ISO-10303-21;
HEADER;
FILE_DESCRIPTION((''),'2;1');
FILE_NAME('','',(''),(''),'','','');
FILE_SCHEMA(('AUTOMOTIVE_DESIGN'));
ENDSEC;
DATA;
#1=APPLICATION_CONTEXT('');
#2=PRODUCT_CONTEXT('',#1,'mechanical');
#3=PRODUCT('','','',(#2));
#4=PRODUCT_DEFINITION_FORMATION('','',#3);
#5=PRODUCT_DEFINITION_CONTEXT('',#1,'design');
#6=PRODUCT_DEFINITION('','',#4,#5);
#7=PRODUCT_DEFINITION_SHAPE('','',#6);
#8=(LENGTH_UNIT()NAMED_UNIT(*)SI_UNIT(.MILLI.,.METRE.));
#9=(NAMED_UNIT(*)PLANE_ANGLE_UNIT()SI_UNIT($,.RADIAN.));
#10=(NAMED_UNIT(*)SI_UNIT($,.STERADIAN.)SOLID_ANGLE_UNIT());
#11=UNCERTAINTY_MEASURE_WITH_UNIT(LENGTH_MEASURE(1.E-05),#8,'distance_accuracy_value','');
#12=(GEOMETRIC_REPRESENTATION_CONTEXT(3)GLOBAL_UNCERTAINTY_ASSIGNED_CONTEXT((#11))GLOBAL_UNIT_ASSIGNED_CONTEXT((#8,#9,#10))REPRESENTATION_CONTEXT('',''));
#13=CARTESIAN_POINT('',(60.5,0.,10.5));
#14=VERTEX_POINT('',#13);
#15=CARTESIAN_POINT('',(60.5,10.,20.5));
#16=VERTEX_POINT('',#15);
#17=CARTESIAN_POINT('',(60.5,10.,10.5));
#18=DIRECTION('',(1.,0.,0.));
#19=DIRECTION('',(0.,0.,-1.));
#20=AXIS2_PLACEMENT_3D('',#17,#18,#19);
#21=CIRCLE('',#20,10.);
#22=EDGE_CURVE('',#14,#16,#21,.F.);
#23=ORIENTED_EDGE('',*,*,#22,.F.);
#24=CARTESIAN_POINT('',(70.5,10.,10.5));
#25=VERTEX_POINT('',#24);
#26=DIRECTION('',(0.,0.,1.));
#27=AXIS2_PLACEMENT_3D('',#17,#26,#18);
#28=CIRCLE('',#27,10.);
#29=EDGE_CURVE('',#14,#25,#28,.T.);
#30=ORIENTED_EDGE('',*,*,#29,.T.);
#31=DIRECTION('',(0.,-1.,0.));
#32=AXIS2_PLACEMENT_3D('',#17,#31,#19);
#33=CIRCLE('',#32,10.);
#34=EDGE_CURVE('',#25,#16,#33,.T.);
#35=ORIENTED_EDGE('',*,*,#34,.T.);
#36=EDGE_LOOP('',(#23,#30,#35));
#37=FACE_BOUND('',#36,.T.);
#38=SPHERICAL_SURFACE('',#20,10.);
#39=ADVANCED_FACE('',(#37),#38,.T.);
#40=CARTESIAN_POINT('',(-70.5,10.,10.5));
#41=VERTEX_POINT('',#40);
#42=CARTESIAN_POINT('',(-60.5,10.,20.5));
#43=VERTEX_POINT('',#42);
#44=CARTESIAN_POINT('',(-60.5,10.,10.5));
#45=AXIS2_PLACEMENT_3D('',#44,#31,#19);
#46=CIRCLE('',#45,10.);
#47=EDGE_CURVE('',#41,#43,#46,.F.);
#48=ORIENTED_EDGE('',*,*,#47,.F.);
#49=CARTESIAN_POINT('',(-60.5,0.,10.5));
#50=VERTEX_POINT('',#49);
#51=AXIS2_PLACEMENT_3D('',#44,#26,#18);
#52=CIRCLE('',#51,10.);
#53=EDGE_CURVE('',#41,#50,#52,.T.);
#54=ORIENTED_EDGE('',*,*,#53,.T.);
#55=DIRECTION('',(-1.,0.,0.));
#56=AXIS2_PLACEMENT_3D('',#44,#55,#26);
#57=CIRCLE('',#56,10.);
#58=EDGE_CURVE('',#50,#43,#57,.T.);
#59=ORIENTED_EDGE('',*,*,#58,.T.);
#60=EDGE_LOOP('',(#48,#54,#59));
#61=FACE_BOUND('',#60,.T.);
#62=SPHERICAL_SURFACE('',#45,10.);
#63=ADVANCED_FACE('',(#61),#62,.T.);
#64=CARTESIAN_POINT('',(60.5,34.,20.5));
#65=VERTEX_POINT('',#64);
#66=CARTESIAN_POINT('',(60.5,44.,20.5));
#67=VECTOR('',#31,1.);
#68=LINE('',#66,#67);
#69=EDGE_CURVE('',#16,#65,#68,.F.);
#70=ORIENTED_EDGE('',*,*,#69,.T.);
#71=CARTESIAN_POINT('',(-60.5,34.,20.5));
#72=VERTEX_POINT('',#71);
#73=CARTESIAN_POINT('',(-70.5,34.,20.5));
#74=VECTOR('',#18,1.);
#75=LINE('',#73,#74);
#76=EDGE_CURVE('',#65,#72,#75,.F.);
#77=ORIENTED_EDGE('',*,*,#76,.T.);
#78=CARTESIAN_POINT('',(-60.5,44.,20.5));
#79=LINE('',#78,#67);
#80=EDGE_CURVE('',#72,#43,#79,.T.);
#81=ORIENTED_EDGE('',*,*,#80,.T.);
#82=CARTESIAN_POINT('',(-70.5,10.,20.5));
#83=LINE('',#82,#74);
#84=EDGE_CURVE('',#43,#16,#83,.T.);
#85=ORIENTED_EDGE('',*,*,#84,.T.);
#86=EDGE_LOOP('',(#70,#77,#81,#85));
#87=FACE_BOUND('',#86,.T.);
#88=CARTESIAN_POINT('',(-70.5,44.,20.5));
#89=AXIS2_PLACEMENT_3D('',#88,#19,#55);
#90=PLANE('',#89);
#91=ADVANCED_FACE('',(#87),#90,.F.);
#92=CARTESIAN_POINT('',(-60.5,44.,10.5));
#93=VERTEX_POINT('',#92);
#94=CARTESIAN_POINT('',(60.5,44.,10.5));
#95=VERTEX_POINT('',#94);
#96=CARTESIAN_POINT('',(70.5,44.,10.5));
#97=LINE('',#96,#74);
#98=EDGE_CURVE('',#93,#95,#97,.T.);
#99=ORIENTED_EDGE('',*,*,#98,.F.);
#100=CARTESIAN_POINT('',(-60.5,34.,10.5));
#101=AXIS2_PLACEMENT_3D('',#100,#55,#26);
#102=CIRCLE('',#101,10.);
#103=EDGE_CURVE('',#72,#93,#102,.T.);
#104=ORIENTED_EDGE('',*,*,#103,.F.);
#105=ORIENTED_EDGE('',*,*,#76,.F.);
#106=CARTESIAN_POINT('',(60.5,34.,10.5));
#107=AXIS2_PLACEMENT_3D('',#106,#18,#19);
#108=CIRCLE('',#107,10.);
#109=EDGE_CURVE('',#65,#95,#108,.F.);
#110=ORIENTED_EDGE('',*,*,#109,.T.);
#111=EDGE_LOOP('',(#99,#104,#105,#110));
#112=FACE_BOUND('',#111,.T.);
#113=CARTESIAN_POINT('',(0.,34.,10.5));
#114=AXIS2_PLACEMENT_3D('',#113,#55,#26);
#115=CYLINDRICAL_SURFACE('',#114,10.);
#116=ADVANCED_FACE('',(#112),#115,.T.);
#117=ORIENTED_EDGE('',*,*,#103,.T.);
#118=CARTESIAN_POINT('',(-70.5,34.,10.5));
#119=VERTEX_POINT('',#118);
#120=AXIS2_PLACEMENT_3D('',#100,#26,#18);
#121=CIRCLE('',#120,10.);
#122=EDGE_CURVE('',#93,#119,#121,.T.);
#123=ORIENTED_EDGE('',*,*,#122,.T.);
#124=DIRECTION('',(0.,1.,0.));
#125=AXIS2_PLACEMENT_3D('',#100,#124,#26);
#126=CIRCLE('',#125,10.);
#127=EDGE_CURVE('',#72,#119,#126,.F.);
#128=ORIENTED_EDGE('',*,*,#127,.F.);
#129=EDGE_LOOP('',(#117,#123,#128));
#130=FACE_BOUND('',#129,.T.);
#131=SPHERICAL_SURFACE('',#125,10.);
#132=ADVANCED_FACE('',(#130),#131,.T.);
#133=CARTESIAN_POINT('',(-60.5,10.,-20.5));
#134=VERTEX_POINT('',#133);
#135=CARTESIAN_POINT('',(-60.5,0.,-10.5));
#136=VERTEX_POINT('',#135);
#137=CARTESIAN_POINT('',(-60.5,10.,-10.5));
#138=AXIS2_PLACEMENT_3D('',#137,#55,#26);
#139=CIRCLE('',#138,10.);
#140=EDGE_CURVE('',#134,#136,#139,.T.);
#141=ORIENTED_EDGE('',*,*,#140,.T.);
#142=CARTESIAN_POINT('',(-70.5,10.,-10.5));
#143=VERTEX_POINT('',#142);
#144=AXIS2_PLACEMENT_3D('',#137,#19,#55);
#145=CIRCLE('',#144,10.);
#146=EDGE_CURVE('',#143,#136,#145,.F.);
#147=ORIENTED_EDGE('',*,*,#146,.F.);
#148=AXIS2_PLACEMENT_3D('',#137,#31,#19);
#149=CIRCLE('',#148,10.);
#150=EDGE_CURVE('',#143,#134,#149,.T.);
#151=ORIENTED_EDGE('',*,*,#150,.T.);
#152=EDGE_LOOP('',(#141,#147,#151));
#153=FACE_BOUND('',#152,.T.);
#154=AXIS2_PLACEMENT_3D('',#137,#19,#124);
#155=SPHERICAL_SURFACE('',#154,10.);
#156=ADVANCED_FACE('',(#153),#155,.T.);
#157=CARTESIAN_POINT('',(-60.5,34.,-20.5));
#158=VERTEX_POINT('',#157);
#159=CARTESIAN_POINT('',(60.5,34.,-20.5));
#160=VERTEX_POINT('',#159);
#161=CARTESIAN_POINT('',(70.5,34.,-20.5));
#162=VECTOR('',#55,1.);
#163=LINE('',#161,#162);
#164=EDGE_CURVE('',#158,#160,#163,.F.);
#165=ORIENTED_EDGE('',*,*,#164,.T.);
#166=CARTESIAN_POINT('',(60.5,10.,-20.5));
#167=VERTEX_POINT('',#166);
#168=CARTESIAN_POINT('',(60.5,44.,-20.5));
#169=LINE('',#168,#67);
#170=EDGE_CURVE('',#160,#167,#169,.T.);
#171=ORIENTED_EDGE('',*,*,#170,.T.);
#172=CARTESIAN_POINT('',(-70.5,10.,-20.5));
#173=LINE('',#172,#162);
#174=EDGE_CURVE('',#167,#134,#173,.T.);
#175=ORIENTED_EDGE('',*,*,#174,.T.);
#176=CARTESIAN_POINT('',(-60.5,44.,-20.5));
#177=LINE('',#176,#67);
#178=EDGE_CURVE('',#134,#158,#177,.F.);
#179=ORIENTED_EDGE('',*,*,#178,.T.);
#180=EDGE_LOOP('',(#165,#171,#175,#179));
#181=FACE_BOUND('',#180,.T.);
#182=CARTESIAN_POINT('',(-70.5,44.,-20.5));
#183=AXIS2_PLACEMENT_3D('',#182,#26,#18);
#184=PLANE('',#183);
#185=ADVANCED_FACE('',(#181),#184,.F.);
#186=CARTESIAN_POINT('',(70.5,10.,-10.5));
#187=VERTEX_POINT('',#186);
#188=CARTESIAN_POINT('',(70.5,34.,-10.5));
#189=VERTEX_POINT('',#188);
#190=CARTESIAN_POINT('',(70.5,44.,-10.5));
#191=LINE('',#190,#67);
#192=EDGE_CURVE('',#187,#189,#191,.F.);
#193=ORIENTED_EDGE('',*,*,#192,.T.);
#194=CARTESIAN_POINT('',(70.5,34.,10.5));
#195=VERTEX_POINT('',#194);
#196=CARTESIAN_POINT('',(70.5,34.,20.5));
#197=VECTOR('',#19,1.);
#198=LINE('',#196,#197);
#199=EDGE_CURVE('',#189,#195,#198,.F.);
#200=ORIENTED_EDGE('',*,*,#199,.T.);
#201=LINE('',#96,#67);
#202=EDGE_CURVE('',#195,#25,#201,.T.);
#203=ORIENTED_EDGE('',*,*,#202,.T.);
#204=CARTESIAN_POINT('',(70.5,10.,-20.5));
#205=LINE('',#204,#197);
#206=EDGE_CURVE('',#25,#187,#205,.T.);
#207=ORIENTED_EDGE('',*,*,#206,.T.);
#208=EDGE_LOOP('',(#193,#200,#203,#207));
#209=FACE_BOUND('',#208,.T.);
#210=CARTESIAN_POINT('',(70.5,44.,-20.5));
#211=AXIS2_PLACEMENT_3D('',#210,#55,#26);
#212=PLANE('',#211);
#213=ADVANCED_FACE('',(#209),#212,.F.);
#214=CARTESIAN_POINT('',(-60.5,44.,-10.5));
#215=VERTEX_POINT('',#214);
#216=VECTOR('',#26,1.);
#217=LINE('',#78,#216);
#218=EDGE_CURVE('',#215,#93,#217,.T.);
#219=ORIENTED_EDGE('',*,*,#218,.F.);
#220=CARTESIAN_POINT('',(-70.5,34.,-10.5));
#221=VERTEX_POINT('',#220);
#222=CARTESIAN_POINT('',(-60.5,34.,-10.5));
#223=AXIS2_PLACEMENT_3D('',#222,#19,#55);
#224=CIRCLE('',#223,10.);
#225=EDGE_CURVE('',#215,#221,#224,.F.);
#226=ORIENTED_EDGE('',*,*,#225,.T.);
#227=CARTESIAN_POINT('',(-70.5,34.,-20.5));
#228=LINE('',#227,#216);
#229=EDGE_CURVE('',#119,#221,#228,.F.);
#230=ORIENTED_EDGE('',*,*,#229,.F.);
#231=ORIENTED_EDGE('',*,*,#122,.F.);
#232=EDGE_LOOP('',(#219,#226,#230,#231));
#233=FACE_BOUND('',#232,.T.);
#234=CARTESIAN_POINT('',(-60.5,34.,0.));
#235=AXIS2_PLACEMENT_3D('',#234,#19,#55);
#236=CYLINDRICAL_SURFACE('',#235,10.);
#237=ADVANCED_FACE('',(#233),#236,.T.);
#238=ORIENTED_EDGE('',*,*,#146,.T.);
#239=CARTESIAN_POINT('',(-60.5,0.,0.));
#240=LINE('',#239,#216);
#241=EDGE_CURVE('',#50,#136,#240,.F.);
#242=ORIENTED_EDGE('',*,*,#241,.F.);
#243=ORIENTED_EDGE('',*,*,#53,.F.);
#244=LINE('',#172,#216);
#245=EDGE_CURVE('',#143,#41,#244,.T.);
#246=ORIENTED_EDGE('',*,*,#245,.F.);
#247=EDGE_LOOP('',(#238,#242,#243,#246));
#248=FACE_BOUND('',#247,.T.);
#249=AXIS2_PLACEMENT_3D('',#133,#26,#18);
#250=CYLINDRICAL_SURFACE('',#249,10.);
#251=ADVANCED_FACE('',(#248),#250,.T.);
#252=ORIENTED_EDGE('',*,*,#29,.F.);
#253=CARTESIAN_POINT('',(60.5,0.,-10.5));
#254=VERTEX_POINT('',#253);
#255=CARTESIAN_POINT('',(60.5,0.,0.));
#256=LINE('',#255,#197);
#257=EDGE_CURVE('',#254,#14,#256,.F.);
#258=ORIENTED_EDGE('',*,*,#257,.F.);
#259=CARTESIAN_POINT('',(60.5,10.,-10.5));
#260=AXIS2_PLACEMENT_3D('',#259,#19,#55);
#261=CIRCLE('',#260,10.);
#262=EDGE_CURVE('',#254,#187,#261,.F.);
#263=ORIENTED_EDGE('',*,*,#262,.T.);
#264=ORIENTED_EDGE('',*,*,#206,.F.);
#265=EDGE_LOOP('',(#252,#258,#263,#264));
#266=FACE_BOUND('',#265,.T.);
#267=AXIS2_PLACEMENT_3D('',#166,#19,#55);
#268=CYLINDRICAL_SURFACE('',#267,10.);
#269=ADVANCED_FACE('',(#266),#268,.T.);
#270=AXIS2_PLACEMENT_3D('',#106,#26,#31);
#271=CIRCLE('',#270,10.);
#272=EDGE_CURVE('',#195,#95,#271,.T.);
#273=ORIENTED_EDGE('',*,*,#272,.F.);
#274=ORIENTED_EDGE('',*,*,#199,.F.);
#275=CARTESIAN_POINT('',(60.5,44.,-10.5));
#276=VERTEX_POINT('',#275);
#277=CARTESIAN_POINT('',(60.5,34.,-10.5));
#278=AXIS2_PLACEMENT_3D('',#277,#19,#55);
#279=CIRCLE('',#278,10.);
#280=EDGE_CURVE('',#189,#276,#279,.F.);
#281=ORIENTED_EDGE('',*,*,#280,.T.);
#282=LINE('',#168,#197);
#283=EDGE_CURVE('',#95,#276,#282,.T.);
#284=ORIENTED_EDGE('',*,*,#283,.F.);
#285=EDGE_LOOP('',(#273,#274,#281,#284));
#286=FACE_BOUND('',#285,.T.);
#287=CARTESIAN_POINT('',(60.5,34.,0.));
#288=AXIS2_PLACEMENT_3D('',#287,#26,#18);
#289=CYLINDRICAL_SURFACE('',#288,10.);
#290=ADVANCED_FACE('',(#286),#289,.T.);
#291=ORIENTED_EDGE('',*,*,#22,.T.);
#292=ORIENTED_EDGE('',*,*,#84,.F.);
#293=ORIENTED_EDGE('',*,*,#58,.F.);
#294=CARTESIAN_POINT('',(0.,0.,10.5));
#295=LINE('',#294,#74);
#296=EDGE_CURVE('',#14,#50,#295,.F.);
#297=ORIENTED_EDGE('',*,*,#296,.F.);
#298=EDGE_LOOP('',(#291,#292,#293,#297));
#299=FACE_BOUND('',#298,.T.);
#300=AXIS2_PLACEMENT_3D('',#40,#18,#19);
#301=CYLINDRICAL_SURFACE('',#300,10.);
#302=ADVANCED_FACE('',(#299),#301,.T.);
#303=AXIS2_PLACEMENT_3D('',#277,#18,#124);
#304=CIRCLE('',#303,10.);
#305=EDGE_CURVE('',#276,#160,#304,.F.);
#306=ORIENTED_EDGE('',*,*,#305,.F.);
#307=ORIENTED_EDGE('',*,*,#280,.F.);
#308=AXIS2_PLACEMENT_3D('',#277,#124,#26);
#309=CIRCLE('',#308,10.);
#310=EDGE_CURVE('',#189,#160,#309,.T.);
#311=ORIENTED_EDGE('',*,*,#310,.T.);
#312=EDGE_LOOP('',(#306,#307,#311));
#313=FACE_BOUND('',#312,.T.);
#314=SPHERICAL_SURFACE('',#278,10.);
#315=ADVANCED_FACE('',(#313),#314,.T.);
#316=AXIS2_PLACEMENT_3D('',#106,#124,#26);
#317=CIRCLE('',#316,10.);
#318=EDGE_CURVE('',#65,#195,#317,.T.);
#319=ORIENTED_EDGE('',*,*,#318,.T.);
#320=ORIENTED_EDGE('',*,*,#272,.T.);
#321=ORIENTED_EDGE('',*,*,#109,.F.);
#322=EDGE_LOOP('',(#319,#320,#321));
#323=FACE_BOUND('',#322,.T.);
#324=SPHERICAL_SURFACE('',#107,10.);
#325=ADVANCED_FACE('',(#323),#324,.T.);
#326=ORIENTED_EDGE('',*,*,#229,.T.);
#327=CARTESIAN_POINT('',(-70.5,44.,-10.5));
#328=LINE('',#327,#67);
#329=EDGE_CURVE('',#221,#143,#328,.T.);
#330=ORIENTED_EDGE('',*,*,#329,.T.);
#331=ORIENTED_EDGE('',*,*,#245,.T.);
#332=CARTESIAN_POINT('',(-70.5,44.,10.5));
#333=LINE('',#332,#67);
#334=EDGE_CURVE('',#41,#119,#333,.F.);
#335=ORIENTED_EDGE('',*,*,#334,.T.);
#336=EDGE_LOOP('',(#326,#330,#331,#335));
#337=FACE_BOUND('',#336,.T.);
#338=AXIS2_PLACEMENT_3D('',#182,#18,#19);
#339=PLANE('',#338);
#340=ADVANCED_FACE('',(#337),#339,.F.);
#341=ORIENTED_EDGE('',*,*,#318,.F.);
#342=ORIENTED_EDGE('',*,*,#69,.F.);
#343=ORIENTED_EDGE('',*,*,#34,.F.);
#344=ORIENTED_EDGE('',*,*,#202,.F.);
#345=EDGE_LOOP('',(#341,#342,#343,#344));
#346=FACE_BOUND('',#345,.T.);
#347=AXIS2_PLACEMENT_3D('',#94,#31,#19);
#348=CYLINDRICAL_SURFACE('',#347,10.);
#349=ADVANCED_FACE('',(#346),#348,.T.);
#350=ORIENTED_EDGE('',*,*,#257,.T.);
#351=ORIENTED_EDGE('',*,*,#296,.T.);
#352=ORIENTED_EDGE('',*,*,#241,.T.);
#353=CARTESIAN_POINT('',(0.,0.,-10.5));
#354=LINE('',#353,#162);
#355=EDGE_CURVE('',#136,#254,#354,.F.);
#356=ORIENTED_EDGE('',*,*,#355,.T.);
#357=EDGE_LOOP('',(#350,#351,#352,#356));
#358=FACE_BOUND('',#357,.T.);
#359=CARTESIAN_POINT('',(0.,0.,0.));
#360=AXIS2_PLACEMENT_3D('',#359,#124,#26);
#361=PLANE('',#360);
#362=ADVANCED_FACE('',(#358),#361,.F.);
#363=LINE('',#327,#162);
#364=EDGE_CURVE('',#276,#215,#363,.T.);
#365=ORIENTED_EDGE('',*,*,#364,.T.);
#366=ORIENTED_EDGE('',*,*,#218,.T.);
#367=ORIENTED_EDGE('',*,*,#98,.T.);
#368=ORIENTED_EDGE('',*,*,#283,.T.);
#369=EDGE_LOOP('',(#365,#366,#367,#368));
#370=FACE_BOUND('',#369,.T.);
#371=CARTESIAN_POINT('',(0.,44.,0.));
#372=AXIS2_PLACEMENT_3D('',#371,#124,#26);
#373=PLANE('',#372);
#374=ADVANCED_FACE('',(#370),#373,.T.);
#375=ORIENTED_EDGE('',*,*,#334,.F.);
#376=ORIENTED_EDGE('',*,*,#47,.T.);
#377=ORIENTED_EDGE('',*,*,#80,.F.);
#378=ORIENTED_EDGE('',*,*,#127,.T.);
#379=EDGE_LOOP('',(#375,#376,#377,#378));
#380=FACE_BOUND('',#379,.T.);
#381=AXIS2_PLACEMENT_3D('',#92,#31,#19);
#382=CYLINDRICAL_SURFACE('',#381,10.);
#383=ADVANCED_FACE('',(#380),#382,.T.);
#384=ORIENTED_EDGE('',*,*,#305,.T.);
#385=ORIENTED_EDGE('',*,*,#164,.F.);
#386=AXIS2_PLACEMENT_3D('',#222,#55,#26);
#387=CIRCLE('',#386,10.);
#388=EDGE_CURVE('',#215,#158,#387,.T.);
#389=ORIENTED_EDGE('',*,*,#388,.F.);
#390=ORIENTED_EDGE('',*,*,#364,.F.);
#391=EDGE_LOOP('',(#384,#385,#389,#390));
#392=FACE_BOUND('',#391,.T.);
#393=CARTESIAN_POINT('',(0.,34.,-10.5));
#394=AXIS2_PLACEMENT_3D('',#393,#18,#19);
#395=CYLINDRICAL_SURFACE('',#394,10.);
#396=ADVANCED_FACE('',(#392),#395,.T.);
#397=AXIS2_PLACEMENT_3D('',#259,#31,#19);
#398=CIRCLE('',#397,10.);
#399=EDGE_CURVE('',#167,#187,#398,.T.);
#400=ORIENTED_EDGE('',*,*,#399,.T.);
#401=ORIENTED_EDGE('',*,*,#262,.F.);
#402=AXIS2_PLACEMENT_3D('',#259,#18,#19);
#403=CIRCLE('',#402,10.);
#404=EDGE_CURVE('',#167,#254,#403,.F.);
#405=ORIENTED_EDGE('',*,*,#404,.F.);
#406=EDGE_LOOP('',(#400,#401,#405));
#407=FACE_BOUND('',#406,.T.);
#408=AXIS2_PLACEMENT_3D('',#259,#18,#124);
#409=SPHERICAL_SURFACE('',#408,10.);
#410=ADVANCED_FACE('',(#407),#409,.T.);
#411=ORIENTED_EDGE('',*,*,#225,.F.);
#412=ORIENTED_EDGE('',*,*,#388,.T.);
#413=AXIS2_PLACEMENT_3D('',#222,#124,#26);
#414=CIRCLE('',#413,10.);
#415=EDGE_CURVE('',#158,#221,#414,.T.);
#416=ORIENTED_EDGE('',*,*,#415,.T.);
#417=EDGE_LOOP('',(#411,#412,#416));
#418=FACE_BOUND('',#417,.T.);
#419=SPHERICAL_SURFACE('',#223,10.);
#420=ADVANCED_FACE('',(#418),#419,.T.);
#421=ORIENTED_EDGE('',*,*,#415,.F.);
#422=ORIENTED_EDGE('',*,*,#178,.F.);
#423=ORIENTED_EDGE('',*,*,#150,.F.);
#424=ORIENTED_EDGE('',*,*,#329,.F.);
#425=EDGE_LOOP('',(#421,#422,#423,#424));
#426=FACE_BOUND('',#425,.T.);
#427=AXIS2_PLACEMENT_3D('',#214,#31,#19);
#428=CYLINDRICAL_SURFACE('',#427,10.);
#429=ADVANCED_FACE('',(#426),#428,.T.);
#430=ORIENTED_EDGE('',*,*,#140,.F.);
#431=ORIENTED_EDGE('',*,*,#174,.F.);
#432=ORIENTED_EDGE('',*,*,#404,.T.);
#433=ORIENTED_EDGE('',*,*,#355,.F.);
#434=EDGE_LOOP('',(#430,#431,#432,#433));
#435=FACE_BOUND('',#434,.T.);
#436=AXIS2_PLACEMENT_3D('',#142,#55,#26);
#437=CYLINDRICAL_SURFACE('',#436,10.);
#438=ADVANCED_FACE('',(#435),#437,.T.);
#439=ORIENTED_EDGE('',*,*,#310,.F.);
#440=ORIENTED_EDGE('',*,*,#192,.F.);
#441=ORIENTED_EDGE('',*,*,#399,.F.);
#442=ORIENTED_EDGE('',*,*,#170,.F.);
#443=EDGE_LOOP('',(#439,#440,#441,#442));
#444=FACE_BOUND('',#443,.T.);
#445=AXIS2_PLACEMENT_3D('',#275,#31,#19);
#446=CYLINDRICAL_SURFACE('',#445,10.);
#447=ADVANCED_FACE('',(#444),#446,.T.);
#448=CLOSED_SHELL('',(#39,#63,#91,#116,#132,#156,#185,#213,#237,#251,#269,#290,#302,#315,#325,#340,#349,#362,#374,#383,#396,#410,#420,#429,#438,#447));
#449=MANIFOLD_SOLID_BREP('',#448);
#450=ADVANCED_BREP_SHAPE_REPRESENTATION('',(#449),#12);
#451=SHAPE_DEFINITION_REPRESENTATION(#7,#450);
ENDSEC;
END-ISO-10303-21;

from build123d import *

# Parameters (mm, degrees)
SKETCH1_W           = 141
SKETCH1_H           = 41
BOSS_EXTRUDE1_DEPTH = 44
FILLET1_R           = 10


with BuildPart() as part:
    # Sketch1 → Boss-Extrude1 (new body)
    with BuildSketch(Plane(origin=(0, 0, 0), x_dir=(1, 0, 0), z_dir=(0, 1, 0))):
        Rectangle(SKETCH1_W, SKETCH1_H)
    extrude(amount=BOSS_EXTRUDE1_DEPTH)

    # Fillet1
    fillet1_edges = [part.edges().sort_by_distance(p)[0] for p in [
        (70.5, 44, 0),
        (0, 44, -20.5),
        (-70.5, 44, 0),
        (0, 0, -20.5),
        (70.5, 0, 0),
        (0, 0, 20.5),
        (-70.5, 0, 0),
        (-70.5, 22, -20.5),
        (70.5, 22, -20.5),
        (70.5, 22, 20.5),
        (-70.5, 22, 20.5),
        (0, 44, 20.5),
    ]]
    fillet(fillet1_edges, radius=FILLET1_R)


solid = part.part
